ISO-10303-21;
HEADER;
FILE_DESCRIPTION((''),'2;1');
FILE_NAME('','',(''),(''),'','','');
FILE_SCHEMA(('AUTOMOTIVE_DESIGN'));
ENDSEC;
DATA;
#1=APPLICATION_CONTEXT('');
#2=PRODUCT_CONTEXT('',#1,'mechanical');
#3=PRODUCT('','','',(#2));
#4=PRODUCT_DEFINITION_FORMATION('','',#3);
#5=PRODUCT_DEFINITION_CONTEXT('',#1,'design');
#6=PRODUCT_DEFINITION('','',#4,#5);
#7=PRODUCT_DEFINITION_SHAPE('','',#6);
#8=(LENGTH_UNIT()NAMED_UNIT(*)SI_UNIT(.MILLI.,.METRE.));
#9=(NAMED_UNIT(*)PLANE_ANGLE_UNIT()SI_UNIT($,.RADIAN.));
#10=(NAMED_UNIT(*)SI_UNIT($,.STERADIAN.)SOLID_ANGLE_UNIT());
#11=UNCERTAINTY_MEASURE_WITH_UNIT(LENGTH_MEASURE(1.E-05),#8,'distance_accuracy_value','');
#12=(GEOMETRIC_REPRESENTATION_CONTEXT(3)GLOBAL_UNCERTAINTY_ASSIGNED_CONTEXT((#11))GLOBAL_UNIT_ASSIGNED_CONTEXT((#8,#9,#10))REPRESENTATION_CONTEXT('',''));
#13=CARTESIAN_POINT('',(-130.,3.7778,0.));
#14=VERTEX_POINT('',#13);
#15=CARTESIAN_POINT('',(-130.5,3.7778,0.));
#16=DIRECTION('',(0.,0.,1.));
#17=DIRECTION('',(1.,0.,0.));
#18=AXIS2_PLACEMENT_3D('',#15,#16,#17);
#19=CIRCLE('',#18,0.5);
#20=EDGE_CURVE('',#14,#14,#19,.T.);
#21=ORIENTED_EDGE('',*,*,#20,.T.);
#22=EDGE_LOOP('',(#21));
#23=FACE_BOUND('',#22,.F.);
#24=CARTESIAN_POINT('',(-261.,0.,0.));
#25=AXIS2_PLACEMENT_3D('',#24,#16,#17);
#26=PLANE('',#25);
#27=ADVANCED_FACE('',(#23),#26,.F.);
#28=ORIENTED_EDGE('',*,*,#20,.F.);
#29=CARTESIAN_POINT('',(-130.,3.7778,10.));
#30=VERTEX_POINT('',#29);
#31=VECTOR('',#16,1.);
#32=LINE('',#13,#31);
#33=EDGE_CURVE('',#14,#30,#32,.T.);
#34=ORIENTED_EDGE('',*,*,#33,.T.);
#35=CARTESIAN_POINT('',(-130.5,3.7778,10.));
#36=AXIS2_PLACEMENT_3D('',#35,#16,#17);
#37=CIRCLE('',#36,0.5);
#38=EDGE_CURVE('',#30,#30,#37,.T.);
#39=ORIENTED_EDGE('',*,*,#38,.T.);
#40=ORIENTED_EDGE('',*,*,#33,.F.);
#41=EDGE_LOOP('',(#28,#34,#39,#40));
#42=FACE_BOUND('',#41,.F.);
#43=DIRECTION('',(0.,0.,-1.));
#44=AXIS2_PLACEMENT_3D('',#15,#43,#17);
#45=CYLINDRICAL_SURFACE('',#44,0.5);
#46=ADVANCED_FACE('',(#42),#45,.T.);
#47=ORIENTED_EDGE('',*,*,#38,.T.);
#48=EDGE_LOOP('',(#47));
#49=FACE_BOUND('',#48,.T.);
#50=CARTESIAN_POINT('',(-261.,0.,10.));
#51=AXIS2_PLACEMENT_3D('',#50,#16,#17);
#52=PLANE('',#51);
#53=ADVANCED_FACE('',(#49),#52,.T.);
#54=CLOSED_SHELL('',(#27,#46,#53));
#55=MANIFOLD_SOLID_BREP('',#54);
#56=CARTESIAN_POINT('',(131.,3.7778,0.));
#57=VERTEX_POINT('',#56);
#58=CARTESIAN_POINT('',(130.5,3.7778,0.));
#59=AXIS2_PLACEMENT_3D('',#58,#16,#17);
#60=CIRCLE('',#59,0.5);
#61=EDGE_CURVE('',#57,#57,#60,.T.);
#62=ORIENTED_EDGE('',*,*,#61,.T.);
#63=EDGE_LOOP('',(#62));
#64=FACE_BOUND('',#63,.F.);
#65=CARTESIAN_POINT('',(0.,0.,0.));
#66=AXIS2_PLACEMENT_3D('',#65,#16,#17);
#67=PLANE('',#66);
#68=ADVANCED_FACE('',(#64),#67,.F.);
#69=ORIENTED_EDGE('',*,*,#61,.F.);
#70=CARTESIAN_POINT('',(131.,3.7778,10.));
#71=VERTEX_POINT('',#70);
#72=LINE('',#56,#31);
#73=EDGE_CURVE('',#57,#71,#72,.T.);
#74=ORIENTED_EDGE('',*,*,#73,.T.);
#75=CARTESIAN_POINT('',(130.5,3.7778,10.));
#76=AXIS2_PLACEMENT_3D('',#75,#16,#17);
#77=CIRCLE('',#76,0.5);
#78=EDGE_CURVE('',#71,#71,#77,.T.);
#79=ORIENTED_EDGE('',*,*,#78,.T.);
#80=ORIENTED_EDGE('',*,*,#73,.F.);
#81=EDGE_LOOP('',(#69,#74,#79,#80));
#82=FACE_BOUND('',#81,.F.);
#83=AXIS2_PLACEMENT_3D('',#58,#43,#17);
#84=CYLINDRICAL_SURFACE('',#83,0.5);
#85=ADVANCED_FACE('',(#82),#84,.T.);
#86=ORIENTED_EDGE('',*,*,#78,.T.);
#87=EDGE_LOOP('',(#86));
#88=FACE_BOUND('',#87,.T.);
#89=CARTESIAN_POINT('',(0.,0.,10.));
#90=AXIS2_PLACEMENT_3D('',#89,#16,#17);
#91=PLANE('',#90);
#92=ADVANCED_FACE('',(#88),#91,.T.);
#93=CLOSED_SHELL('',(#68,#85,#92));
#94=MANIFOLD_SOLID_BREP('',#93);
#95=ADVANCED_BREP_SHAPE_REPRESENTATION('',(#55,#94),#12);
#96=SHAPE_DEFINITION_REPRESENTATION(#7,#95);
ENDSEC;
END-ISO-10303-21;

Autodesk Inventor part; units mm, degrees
ref_plane "YZ Plane" through (0, 0, 0) normal (1, 0, 0) x (0, 1, 0)
ref_plane "XZ Plane" through (0, 0, 0) normal (0, 1, 0) x (-1, 0, 0)
ref_plane "XY Plane" through (0, 0, 0) normal (0, 0, 1) x (1, 0, 0)
sketch "Sketch1" plane through (0, 0, 0) normal (0, 0, 1) x (1, 0, 0)
  line L0 (-190.5, -10.9695) -> (190.5, -10.9695)
  line L1 (190.5, -10.9695) -> (190.5, 10.9695)
  line L2 (190.5, 10.9695) -> (-190.5, 10.9695)
  line L3 (-190.5, 10.9695) -> (-190.5, -10.9695)
  line L4 (-190.5, -10.9695) -> (190.5, 10.9695) construction
  line L5 (190.5, -10.9695) -> (-190.5, 10.9695) construction
  point P0 (0, 0)
  dimension "d0" = 381
  dimension "d1" = 21.939
sketch "Lamello" plane through (0, 0, 0) normal (0, 0, 1) x (1, 0, 0)
  line L0 (48.383, 141.1858) -> (42.783, 141.1858)
  line L1 (40.583, 139.6858) -> (40.583, 114.6858)
  line L2 (42.783, 113.1858) -> (48.383, 113.1858)
  line L3 (50.583, 114.6858) -> (50.583, 139.6858)
  line L4 (50.583, 139.6858) -> (48.383, 141.1858)
  line L5 (40.583, 139.6858) -> (42.783, 141.1858)
  line L6 (40.583, 114.6858) -> (42.783, 113.1858)
  line L7 (50.583, 114.6858) -> (48.383, 113.1858)
  line L8 (50.583, 127.1858) -> (40.583, 127.1858)
  line L9 (45.583, 141.1858) -> (45.583, 113.1858)
  point P0 (45.583, 127.1858)
  point P1 (50.583, 141.1858)
  point P2 (40.583, 113.1858)
  point P3 (40.583, 141.1858)
  point P4 (50.583, 113.1858)
  dimension "d54" = 10
  dimension "d55" = 28
  dimension "d56" = 1.5
  dimension "d57" = 2.2
  dimension "d58" = 1.5
  dimension "d59" = 2.2
  dimension "d60" = 1.5
  dimension "d61" = 2.2
  dimension "d62" = 1.5
  dimension "d63" = 2.2
sketch "Sketch2" plane through (0, 0, 0) normal (0, 0, 1) x (1, 0, 0)
  circle A0 centre (130.5, 3.7778) radius 0.5
  line L0 (190.5, 10.9695) -> (-190.5, 10.9695) projected
  line L1 (-190.5, -10.9695) -> (190.5, -10.9695) projected
  line L2 (0, -145.0303) -> (0, 106.9697) projected
  line L3 (190.5, -10.9695) -> (190.5, 10.9695) projected
  point P0 (0, 0)
  dimension "d4" = 1
  dimension "d50" = 7.1917
  dimension "d70" = 60
extrude "Extrusion1" add sketch "Sketch2" along normal blind 10 contours A0
pattern_linear "Clamex Array" count 2 spacing 261 along (-1, 0, 0) of "Extrusion1"
sketch "Edge-Side Connection" plane through (0, 0, 0) normal (1, 0, 0) x (0, 1, 0)
  line L0 (-50, 0) -> (50, 0)
  line L1 (50, 0) -> (50, 19)
  line L2 (50, 19) -> (-50, 19)
  line L3 (-50, 19) -> (-50, 0)
  line L4 (-10.9695, 0) -> (-34.0635, -40)
  line L5 (-34.0635, -40) -> (-12.1245, -40)
  line L6 (-12.1245, -40) -> (10.9695, 0)
  line L7 (-2.9208, -14) -> (-2.9208, 14) construction
  line L8 (10.9695, 0) -> (2.0792, 0)
  line L9 (-7.9208, -12.5) -> (-15.62, -8.0549)
  point P0 (0, 0)
  point P1 (10.9695, 0)
  point P2 (0, 0)
  dimension "d26" = 100
  dimension "d27" = 19
  dimension "d28" = 40
  dimension "OtherSideRefYCoordinate" = 8.0487
  dimension "ReferenceCoord" = 13.8903
  dimension "d49" = 120
sketch "Edge-Edge Connection" plane through (0, 0, 0) normal (1, 0, 0) x (0, 1, 0)
  line L0 (-109.0303, 19) -> (10.9697, 19)
  line L1 (10.9697, 19) -> (0, 0)
  line L2 (0, 0) -> (-109.0303, 0)
  line L3 (-109.0303, 0) -> (-109.0303, 19)
  line L4 (10.9697, 19) -> (70.9697, -84.923)
  line L5 (0, 0) -> (54.5152, -94.423)
  line L6 (54.5152, -94.423) -> (70.9697, -84.923)
  line L7 (1.0958, 1.8981) -> (0, 0)
  line L8 (-4.7295, 16.8083) -> (-4.7295, 19)
  point P0 (3.5958, 6.2282)
  dimension "d51" = 19
  dimension "d53" = 19
  dimension "EdgeEdgeReferenceCoord" = 7.1917
  dimension "d65" = 120
  dimension "d66" = 120
  dimension "d67" = 120
  dimension "EdgeEdgeOtherSideRefYCoordinate" = 14.7476
equation "\"d9\" = Step"
equation "\"d27\" = NestleBoardT"
equation "\"d0\" = ContactPatchWidth"
equation "\"d1\" = ContactPatchHeight"
equation "\"ContactPatchWidth\" = 381"
equation "\"ContactPatchHeight\" = 21.939"
equation "\"PlacingWidth\" = 261"
equation "\"MinDistBetween\" = 96"
equation "\"Step\" = 261"
equation "\"Y_Coord\" = 7.19169"
equation "\"NestleBoardT\" = 19"
equation "\"PillarBoardT\" = 19"
equation "\"AngleForYPositionCalc\" = 120deg"
equation "\"ConnectionAngle\" = 120deg"
equation "\"ShiftY\" = 0"
properties part number "Clamex Joint11000"
